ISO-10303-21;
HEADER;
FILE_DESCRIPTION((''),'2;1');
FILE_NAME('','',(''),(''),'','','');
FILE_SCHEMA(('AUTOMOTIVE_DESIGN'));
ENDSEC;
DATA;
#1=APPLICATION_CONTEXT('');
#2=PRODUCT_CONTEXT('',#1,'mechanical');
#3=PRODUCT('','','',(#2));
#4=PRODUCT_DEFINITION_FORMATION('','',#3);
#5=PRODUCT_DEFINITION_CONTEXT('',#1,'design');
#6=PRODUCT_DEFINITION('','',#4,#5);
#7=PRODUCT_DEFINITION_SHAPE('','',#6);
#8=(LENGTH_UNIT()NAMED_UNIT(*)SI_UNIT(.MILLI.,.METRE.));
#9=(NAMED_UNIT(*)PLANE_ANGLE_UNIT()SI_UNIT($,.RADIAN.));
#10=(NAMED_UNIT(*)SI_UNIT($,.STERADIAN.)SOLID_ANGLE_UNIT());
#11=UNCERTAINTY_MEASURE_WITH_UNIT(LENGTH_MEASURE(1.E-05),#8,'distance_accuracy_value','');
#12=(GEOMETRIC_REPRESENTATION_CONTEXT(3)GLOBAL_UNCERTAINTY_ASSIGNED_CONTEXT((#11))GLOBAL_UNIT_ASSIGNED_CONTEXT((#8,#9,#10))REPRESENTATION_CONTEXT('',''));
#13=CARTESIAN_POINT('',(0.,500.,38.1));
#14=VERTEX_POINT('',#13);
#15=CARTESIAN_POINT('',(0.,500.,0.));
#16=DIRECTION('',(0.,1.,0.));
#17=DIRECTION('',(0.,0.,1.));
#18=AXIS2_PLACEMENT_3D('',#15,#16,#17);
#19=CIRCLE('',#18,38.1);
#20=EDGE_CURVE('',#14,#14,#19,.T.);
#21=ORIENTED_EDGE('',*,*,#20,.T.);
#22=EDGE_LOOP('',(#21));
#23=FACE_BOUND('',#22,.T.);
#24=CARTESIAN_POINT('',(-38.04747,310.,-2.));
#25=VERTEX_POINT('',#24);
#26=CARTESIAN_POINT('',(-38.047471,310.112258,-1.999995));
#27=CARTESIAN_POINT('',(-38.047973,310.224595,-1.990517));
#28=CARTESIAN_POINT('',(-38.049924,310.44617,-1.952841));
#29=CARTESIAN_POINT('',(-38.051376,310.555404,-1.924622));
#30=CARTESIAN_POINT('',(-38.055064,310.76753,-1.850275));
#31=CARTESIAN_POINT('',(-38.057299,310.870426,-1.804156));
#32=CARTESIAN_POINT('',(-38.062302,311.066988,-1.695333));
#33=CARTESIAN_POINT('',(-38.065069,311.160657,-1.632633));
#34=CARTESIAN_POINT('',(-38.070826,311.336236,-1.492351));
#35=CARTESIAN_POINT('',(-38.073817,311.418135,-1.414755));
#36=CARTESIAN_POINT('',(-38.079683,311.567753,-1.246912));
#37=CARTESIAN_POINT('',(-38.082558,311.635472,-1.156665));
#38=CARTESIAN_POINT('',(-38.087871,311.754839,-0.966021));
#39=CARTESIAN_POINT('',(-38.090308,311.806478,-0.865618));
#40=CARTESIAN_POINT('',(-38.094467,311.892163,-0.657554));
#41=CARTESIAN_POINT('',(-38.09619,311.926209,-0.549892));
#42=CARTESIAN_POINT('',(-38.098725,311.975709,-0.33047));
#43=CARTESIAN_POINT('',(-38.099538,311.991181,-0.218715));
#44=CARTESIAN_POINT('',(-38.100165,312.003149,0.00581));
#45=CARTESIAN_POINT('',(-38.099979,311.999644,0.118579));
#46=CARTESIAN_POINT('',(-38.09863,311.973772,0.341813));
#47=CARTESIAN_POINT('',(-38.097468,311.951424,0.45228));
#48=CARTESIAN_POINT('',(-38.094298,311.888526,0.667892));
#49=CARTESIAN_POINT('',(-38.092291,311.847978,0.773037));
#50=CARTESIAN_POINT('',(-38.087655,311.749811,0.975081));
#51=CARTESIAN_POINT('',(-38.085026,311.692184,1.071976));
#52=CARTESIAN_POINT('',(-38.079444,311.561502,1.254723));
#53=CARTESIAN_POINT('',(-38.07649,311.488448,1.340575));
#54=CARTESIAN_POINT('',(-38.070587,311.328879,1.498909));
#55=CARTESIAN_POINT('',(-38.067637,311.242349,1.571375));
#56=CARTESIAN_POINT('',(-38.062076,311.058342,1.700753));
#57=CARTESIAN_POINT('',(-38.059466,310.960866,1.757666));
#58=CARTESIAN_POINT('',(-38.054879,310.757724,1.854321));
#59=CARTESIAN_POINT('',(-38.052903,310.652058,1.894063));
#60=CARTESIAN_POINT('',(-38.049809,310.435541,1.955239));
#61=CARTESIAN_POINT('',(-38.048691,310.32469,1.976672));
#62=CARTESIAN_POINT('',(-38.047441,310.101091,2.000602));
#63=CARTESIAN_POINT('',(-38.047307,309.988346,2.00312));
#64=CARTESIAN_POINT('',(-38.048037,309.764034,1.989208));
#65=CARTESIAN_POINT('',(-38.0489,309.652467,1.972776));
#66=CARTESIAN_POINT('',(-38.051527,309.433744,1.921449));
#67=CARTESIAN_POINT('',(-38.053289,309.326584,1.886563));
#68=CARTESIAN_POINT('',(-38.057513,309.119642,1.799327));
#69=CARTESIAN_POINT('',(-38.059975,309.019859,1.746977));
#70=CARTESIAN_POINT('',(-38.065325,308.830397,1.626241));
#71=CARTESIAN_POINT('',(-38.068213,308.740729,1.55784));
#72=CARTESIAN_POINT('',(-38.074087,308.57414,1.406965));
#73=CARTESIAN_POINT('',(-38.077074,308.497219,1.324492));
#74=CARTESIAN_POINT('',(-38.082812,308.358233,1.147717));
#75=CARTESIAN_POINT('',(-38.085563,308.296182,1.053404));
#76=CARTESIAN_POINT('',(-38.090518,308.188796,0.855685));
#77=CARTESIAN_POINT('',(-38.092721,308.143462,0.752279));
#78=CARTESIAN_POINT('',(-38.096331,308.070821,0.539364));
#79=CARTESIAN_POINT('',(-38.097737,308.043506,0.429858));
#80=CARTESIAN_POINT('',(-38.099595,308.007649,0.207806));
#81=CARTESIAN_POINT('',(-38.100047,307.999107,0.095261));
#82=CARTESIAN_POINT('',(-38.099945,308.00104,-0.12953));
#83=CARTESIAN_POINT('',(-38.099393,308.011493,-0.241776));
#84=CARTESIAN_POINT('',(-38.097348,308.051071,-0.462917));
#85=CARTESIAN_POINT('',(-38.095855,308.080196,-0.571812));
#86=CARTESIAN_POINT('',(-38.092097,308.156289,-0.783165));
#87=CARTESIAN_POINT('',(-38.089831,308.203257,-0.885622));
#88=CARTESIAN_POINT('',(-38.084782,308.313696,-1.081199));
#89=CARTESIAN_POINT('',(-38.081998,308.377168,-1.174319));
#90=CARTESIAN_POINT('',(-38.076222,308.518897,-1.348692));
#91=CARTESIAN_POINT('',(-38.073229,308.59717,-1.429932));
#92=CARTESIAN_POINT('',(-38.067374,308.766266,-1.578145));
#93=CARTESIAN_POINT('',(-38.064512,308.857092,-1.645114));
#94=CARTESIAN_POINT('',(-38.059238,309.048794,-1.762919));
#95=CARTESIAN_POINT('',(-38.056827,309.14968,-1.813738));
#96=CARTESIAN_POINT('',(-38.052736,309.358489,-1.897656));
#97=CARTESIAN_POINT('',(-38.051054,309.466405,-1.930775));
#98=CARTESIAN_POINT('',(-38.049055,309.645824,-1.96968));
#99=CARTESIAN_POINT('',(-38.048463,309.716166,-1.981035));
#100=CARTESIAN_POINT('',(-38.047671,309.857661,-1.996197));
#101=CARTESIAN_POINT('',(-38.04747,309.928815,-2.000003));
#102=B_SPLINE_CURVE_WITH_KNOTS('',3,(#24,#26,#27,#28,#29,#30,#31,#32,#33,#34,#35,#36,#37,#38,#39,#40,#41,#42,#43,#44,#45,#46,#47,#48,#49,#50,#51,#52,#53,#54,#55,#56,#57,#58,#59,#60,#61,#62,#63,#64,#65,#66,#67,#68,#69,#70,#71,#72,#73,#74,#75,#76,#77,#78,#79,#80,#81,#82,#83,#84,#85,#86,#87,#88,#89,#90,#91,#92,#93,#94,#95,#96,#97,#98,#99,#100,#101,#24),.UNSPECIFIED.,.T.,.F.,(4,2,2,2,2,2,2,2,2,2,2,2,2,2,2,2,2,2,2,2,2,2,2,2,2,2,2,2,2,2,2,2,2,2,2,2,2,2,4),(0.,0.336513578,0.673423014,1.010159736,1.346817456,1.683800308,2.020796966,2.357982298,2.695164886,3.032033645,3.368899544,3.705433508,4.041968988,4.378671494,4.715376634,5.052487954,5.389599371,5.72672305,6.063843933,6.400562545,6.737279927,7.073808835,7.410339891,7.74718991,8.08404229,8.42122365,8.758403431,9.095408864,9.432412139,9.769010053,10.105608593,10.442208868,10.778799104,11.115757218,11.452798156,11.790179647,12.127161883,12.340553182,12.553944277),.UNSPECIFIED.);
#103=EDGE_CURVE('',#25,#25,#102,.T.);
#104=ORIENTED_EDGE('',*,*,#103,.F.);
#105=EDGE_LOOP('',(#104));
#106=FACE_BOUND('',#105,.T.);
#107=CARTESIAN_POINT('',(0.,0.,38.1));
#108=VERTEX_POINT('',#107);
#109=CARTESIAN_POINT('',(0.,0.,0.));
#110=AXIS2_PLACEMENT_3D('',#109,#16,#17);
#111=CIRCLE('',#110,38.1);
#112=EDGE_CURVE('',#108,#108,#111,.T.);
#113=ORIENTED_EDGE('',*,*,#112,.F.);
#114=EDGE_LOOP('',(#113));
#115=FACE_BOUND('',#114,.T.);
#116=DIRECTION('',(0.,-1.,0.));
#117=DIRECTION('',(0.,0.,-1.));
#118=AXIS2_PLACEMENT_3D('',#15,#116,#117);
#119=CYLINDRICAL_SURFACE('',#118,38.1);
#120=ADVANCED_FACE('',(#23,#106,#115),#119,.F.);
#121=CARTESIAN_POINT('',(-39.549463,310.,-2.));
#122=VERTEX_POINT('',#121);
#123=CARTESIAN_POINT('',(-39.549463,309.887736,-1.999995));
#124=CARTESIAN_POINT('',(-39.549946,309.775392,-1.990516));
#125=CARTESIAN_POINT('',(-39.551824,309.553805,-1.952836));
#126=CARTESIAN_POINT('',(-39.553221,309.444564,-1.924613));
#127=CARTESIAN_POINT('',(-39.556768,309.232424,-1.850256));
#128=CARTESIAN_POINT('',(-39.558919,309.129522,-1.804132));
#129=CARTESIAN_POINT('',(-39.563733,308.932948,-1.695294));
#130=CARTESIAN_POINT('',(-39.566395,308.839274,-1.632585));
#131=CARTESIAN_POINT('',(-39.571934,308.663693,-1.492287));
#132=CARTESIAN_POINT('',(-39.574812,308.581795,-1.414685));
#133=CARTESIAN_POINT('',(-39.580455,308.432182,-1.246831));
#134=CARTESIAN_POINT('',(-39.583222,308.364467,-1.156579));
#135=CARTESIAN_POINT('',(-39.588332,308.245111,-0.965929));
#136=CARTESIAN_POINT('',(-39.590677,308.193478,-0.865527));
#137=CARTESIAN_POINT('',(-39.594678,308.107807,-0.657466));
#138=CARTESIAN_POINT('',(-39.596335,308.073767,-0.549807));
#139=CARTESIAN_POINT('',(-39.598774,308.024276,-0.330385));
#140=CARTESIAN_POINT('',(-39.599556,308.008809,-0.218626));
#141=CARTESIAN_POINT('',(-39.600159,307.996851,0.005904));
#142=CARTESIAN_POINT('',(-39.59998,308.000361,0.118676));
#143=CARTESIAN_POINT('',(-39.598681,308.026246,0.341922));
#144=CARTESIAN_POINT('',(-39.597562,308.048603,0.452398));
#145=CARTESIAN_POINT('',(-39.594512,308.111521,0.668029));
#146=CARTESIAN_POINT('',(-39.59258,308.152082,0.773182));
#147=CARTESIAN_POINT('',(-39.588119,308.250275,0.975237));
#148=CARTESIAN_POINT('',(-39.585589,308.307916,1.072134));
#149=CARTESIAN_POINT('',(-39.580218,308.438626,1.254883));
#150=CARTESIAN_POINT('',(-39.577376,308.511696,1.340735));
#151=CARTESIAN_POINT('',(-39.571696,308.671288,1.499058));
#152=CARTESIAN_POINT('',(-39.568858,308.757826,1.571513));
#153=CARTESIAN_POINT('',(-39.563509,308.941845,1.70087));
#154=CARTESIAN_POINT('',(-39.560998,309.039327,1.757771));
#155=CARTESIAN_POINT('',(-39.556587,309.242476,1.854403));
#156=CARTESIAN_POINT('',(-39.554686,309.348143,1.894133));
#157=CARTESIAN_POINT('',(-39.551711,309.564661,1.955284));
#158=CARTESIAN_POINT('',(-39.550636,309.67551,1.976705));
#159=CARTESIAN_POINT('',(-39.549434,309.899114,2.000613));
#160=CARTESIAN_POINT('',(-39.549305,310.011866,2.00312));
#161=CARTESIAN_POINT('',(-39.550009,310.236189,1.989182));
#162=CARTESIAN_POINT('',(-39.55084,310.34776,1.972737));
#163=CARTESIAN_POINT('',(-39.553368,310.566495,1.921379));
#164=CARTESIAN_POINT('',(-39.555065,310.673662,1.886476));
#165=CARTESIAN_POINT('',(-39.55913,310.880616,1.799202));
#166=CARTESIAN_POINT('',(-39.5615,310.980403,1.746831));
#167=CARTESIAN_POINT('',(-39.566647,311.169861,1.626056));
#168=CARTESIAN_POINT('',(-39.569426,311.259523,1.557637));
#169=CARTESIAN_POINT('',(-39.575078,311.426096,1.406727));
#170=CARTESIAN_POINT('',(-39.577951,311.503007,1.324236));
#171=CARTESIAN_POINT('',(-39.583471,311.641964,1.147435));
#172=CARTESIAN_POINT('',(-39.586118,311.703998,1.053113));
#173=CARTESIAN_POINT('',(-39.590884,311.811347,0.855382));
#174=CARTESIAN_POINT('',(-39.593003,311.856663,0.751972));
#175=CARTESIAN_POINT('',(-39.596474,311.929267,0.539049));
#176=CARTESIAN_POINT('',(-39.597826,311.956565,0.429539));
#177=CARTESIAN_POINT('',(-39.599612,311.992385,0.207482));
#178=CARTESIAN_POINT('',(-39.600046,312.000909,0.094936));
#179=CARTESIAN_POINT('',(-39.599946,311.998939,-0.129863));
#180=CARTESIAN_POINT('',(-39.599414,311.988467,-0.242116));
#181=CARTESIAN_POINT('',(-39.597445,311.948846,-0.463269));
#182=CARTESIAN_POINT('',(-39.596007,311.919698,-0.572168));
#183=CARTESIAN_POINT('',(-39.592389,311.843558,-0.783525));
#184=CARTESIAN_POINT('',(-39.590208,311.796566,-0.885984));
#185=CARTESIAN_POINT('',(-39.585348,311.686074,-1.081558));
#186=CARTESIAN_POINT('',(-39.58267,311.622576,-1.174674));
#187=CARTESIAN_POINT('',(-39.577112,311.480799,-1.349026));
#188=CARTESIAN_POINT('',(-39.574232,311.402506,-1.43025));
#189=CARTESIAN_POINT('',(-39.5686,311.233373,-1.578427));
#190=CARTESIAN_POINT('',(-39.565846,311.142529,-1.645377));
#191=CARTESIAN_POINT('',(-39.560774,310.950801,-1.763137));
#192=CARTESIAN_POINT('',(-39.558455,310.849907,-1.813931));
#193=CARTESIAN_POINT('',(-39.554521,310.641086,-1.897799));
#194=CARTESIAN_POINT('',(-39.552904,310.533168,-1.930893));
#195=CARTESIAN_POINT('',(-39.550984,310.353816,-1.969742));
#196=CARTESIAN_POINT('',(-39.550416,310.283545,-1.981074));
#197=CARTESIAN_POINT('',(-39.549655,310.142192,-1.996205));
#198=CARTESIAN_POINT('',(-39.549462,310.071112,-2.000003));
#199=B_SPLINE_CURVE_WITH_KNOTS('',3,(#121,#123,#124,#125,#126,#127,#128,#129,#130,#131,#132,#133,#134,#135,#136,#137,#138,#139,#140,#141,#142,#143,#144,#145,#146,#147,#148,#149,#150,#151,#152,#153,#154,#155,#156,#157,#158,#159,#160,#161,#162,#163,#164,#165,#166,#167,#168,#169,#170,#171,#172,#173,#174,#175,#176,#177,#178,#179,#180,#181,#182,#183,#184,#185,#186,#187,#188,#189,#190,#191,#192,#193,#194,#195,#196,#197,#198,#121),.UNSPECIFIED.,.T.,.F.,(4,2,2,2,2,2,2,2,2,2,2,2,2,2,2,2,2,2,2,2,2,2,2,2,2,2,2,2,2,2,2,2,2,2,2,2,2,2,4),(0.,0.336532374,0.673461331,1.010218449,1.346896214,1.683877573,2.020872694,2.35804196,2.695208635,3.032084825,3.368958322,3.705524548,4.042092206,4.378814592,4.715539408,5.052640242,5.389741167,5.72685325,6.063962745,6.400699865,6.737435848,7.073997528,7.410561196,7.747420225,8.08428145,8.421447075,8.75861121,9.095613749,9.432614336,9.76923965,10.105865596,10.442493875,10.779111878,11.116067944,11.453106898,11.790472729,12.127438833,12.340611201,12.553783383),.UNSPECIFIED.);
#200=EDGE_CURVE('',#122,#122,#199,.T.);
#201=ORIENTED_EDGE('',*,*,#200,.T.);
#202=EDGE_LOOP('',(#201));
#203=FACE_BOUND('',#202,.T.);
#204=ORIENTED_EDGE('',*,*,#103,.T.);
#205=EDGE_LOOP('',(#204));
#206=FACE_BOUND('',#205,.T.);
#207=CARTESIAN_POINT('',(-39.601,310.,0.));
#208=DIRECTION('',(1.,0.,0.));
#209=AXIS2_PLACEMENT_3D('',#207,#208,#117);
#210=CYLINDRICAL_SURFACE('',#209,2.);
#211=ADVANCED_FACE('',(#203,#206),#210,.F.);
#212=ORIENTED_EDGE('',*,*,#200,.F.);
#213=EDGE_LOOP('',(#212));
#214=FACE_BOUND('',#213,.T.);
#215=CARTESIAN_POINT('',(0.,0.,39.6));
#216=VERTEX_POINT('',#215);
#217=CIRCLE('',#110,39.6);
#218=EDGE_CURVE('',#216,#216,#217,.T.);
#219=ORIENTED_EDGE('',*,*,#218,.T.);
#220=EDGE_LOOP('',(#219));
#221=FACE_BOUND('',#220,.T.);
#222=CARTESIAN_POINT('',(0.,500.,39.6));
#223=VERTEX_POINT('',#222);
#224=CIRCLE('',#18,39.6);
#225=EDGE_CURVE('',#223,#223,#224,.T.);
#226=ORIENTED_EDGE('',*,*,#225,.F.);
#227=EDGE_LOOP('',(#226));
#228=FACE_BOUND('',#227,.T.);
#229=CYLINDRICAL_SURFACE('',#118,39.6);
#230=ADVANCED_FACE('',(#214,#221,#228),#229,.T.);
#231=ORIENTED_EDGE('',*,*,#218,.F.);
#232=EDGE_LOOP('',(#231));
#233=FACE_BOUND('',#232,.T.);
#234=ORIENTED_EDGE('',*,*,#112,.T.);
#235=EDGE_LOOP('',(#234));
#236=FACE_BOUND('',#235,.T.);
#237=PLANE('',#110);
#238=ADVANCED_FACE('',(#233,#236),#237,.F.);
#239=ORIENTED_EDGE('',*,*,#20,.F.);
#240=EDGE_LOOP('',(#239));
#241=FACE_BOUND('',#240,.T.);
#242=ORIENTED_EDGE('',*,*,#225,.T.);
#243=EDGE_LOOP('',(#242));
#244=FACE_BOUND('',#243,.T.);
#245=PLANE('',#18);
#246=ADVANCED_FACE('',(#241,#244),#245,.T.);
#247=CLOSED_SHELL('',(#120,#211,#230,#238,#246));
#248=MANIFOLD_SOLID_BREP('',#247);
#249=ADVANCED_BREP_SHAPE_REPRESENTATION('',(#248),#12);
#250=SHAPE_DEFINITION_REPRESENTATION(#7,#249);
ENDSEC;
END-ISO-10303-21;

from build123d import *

# Parameters (mm, degrees)
SKETCH1_R               = 39.6
SKETCH1_R_2             = 38.1
BOSS_EXTRUDE1_DEPTH     = 500
CUT_EXTRUDE1_REACH      = 505.127
CUT_EXTRUDE1_END_RADIUS = 39.6
SKETCH2_R               = 2


with BuildPart() as part:
    # Sketch1 → Boss-Extrude1 (new body)
    with BuildSketch(Plane(origin=(0, 0, 0), x_dir=(1, 0, 0), z_dir=(0, 1, 0))):
        with Locations(Location((0, 0, 0), (0, 0, 270))):
            Circle(SKETCH1_R)
        with Locations(Location((0, 0, 0), (0, 0, 270))):
            Circle(SKETCH1_R_2, mode=Mode.SUBTRACT)
    extrude(amount=BOSS_EXTRUDE1_DEPTH)

    # Cut-Extrude1: up to this cylinder (the profile starts inside it)
    cut_extrude1_end = Plane(origin=(0, 310, 0), z_dir=(0, -1, 0)) * Cylinder(CUT_EXTRUDE1_END_RADIUS, 1090.454, mode=Mode.PRIVATE)
    # Sketch2 → Cut-Extrude1 (cut, up to the surface)
    with BuildSketch(Plane(origin=(0, 0, 0), x_dir=(0, 0, -1), z_dir=(1, 0, 0)), mode=Mode.PRIVATE) as cut_extrude1_sk1:
        with Locations((0, 310)):
            Circle(SKETCH2_R)
    cut_extrude1_tool1 = extrude(cut_extrude1_sk1.sketch, amount=-CUT_EXTRUDE1_REACH, mode=Mode.PRIVATE) & cut_extrude1_end
    add(cut_extrude1_tool1.solids().sort_by_distance((0, 310, 0))[0], mode=Mode.SUBTRACT)


solid = part.part
